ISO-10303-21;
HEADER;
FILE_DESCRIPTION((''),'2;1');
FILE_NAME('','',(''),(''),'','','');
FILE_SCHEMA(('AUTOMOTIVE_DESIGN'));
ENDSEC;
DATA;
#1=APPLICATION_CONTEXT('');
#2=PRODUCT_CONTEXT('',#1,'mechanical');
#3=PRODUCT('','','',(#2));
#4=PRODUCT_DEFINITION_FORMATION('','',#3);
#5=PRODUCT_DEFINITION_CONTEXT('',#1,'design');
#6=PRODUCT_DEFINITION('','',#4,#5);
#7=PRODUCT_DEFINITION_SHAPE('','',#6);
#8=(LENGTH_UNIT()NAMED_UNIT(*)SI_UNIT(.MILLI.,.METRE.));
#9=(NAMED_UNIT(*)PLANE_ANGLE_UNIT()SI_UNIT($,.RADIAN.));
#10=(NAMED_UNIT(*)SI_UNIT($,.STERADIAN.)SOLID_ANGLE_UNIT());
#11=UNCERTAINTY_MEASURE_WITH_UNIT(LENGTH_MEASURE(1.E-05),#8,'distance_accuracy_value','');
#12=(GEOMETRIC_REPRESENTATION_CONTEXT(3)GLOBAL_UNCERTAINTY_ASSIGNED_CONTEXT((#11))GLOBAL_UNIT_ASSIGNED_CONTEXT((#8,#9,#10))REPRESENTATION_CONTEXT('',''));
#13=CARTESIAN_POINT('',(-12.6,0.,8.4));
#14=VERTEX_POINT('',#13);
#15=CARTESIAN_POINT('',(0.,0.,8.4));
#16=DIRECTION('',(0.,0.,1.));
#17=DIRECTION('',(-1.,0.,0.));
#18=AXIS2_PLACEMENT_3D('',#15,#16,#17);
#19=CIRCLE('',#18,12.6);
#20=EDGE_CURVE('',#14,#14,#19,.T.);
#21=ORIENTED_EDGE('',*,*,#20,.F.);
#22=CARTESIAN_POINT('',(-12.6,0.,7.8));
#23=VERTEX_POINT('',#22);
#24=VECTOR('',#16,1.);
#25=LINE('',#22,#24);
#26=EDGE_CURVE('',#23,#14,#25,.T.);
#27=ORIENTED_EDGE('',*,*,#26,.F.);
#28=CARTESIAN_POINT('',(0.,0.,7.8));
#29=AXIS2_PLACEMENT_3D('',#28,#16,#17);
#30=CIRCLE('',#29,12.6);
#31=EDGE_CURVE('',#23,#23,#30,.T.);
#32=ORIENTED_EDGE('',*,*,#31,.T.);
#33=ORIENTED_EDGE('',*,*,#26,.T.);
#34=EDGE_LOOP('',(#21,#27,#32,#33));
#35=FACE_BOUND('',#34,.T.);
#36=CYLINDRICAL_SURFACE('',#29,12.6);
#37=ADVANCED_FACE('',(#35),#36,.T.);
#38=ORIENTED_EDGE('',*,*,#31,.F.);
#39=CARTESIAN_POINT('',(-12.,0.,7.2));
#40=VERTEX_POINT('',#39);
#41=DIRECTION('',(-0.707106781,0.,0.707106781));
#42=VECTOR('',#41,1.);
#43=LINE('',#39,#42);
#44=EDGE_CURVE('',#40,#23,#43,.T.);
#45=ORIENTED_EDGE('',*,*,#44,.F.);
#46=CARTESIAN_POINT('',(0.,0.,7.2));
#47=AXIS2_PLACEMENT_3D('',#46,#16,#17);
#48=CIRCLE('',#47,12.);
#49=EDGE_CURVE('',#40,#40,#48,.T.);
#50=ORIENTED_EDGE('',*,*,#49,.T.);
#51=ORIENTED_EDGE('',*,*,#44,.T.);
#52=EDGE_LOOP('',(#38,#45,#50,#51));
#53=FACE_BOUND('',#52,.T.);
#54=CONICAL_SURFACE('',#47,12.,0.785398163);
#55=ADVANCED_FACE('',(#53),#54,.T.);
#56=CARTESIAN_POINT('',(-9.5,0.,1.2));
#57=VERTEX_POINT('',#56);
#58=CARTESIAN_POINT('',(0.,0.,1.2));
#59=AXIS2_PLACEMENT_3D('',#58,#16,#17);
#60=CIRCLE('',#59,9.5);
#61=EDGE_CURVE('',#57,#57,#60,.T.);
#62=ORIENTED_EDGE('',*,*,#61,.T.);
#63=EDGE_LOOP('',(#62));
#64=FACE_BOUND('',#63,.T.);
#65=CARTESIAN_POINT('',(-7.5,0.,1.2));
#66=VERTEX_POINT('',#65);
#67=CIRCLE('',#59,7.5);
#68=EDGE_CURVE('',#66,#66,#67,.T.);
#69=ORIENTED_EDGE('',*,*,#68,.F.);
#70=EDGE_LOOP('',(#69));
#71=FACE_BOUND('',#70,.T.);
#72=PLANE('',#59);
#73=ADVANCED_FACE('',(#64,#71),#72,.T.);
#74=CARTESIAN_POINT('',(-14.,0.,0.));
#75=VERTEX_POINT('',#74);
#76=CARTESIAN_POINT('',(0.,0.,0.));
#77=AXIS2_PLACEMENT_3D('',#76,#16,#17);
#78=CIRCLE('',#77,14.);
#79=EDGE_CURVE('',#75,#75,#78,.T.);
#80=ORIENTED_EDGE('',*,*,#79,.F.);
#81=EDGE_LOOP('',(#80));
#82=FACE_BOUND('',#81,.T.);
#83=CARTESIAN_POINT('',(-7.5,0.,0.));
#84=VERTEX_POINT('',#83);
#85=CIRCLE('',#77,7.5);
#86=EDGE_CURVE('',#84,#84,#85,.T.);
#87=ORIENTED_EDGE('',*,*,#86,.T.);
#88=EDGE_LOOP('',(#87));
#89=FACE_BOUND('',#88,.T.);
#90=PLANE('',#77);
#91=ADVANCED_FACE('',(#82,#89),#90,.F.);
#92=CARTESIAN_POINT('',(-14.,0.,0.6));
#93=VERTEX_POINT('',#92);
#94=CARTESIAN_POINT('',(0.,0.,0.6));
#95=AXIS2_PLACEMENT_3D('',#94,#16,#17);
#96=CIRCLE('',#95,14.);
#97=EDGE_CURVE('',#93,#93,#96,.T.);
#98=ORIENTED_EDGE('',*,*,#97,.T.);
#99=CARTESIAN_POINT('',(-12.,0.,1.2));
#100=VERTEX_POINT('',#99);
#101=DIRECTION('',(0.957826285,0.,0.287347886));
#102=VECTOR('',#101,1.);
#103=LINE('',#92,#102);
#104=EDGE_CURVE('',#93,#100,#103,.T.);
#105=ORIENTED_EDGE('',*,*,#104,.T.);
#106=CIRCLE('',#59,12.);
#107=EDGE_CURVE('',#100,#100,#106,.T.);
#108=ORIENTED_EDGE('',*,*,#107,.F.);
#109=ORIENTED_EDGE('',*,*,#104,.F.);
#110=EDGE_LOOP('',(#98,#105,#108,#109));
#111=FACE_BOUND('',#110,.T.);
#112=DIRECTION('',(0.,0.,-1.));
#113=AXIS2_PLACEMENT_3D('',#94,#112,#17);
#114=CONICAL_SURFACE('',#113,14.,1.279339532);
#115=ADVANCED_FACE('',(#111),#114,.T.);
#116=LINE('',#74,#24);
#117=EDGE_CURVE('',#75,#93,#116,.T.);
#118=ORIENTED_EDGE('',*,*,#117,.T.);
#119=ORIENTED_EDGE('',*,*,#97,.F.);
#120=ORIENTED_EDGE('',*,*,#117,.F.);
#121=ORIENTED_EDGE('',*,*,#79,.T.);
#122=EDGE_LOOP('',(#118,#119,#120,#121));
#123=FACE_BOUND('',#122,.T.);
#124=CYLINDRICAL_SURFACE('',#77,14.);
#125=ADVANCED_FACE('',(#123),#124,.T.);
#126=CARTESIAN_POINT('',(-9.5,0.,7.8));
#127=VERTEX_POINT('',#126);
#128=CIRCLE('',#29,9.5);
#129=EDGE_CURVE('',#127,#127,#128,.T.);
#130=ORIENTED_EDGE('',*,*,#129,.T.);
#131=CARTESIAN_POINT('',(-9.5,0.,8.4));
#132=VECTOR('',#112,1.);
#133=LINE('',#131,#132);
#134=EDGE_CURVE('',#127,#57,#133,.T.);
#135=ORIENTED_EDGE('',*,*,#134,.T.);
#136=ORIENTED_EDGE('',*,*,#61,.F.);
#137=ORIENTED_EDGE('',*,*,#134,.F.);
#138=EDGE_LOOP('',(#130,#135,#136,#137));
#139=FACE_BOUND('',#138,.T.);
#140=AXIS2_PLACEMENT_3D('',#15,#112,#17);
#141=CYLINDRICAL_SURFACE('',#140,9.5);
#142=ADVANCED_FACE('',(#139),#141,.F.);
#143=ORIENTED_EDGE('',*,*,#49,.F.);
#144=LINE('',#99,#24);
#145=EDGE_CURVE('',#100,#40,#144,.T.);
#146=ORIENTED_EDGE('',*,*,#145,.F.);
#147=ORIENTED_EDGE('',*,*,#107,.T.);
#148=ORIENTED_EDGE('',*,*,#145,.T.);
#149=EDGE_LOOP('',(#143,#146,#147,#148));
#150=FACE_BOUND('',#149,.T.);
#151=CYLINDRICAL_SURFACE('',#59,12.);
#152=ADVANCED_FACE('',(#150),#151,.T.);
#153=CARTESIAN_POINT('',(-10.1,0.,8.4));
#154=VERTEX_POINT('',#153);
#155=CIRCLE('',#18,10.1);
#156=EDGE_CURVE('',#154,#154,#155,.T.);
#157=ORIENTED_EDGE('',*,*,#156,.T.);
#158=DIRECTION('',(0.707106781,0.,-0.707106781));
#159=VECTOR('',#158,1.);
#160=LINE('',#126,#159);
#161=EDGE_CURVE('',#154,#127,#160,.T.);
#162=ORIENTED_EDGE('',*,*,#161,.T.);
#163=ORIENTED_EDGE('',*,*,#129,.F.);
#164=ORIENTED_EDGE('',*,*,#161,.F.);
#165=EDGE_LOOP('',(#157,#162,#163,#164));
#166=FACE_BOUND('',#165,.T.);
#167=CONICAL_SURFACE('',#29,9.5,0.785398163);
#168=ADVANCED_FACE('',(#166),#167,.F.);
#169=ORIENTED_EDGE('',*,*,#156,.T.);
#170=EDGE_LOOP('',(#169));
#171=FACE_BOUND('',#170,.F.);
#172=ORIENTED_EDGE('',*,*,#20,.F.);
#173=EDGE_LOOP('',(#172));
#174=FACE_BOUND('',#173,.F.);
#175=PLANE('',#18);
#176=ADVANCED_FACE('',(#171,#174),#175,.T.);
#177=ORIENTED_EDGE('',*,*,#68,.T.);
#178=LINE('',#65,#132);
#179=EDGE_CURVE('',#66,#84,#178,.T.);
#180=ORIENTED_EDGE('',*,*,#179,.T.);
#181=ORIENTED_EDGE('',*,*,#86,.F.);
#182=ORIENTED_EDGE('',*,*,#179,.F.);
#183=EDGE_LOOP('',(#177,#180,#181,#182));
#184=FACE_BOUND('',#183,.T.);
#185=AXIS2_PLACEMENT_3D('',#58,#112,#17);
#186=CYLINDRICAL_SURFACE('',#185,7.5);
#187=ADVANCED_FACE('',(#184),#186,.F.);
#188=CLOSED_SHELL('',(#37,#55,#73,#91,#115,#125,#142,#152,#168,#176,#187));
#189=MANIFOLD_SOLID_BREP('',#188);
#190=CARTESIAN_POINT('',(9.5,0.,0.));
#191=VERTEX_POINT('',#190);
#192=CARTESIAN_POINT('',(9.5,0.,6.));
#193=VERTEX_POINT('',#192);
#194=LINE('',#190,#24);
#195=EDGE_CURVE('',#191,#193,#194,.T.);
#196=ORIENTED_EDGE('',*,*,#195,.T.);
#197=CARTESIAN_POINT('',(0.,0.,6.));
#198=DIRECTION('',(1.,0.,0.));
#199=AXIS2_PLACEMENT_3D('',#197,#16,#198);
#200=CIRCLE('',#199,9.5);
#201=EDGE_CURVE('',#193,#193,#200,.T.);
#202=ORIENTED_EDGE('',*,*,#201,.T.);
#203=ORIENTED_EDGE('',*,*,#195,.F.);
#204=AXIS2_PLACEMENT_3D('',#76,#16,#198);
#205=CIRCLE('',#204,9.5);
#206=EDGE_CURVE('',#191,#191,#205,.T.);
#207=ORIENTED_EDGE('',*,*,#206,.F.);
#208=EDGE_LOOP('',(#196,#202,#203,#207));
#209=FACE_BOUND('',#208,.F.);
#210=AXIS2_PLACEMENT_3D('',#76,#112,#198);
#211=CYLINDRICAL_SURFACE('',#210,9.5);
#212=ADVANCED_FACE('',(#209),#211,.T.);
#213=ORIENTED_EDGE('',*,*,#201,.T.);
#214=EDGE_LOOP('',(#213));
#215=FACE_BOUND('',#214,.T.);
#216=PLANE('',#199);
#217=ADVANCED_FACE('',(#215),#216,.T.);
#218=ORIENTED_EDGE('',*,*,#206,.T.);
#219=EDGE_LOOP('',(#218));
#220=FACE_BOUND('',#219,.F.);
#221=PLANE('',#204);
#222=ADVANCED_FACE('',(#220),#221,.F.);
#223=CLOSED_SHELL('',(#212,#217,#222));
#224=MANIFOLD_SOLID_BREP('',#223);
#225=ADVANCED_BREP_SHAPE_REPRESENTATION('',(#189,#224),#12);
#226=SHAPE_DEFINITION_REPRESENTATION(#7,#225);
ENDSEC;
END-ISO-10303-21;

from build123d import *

# Parameters (mm, degrees)
CYLINDER_R     = 9.5
CYLINDER_DEPTH = 6
CHAMFER_SIZE   = 0.6


with BuildPart() as cylinder:
    # Cylinder → Cylinder (new body)
    with BuildSketch(Plane.XY):
        Circle(CYLINDER_R)
    extrude(amount=CYLINDER_DEPTH)


with BuildPart() as chamfer_body:
    # Sketch → Revolution (revolve)
    with BuildSketch(Plane.XZ):
        Polygon((-14, 0), (-14, 0.6), (-12, 1.2), (-12, 7.2), (-12.6, 7.8), (-12.6, 8.4), (-12, 8.4), (-9.5, 8.4), (-9.5, 1.2), (-7.5, 1.2), (-7.5, 0), align=None)
    revolve(axis=Axis((0, 0, 0), (0, 0, 1)))

    # Chamfer
    chamfer_edges = [chamfer_body.edges().sort_by_distance(p)[0] for p in [
        (9.5, 0, 8.4),
    ]]
    chamfer(chamfer_edges, length=CHAMFER_SIZE)


solid = Compound([cylinder.part, chamfer_body.part])
